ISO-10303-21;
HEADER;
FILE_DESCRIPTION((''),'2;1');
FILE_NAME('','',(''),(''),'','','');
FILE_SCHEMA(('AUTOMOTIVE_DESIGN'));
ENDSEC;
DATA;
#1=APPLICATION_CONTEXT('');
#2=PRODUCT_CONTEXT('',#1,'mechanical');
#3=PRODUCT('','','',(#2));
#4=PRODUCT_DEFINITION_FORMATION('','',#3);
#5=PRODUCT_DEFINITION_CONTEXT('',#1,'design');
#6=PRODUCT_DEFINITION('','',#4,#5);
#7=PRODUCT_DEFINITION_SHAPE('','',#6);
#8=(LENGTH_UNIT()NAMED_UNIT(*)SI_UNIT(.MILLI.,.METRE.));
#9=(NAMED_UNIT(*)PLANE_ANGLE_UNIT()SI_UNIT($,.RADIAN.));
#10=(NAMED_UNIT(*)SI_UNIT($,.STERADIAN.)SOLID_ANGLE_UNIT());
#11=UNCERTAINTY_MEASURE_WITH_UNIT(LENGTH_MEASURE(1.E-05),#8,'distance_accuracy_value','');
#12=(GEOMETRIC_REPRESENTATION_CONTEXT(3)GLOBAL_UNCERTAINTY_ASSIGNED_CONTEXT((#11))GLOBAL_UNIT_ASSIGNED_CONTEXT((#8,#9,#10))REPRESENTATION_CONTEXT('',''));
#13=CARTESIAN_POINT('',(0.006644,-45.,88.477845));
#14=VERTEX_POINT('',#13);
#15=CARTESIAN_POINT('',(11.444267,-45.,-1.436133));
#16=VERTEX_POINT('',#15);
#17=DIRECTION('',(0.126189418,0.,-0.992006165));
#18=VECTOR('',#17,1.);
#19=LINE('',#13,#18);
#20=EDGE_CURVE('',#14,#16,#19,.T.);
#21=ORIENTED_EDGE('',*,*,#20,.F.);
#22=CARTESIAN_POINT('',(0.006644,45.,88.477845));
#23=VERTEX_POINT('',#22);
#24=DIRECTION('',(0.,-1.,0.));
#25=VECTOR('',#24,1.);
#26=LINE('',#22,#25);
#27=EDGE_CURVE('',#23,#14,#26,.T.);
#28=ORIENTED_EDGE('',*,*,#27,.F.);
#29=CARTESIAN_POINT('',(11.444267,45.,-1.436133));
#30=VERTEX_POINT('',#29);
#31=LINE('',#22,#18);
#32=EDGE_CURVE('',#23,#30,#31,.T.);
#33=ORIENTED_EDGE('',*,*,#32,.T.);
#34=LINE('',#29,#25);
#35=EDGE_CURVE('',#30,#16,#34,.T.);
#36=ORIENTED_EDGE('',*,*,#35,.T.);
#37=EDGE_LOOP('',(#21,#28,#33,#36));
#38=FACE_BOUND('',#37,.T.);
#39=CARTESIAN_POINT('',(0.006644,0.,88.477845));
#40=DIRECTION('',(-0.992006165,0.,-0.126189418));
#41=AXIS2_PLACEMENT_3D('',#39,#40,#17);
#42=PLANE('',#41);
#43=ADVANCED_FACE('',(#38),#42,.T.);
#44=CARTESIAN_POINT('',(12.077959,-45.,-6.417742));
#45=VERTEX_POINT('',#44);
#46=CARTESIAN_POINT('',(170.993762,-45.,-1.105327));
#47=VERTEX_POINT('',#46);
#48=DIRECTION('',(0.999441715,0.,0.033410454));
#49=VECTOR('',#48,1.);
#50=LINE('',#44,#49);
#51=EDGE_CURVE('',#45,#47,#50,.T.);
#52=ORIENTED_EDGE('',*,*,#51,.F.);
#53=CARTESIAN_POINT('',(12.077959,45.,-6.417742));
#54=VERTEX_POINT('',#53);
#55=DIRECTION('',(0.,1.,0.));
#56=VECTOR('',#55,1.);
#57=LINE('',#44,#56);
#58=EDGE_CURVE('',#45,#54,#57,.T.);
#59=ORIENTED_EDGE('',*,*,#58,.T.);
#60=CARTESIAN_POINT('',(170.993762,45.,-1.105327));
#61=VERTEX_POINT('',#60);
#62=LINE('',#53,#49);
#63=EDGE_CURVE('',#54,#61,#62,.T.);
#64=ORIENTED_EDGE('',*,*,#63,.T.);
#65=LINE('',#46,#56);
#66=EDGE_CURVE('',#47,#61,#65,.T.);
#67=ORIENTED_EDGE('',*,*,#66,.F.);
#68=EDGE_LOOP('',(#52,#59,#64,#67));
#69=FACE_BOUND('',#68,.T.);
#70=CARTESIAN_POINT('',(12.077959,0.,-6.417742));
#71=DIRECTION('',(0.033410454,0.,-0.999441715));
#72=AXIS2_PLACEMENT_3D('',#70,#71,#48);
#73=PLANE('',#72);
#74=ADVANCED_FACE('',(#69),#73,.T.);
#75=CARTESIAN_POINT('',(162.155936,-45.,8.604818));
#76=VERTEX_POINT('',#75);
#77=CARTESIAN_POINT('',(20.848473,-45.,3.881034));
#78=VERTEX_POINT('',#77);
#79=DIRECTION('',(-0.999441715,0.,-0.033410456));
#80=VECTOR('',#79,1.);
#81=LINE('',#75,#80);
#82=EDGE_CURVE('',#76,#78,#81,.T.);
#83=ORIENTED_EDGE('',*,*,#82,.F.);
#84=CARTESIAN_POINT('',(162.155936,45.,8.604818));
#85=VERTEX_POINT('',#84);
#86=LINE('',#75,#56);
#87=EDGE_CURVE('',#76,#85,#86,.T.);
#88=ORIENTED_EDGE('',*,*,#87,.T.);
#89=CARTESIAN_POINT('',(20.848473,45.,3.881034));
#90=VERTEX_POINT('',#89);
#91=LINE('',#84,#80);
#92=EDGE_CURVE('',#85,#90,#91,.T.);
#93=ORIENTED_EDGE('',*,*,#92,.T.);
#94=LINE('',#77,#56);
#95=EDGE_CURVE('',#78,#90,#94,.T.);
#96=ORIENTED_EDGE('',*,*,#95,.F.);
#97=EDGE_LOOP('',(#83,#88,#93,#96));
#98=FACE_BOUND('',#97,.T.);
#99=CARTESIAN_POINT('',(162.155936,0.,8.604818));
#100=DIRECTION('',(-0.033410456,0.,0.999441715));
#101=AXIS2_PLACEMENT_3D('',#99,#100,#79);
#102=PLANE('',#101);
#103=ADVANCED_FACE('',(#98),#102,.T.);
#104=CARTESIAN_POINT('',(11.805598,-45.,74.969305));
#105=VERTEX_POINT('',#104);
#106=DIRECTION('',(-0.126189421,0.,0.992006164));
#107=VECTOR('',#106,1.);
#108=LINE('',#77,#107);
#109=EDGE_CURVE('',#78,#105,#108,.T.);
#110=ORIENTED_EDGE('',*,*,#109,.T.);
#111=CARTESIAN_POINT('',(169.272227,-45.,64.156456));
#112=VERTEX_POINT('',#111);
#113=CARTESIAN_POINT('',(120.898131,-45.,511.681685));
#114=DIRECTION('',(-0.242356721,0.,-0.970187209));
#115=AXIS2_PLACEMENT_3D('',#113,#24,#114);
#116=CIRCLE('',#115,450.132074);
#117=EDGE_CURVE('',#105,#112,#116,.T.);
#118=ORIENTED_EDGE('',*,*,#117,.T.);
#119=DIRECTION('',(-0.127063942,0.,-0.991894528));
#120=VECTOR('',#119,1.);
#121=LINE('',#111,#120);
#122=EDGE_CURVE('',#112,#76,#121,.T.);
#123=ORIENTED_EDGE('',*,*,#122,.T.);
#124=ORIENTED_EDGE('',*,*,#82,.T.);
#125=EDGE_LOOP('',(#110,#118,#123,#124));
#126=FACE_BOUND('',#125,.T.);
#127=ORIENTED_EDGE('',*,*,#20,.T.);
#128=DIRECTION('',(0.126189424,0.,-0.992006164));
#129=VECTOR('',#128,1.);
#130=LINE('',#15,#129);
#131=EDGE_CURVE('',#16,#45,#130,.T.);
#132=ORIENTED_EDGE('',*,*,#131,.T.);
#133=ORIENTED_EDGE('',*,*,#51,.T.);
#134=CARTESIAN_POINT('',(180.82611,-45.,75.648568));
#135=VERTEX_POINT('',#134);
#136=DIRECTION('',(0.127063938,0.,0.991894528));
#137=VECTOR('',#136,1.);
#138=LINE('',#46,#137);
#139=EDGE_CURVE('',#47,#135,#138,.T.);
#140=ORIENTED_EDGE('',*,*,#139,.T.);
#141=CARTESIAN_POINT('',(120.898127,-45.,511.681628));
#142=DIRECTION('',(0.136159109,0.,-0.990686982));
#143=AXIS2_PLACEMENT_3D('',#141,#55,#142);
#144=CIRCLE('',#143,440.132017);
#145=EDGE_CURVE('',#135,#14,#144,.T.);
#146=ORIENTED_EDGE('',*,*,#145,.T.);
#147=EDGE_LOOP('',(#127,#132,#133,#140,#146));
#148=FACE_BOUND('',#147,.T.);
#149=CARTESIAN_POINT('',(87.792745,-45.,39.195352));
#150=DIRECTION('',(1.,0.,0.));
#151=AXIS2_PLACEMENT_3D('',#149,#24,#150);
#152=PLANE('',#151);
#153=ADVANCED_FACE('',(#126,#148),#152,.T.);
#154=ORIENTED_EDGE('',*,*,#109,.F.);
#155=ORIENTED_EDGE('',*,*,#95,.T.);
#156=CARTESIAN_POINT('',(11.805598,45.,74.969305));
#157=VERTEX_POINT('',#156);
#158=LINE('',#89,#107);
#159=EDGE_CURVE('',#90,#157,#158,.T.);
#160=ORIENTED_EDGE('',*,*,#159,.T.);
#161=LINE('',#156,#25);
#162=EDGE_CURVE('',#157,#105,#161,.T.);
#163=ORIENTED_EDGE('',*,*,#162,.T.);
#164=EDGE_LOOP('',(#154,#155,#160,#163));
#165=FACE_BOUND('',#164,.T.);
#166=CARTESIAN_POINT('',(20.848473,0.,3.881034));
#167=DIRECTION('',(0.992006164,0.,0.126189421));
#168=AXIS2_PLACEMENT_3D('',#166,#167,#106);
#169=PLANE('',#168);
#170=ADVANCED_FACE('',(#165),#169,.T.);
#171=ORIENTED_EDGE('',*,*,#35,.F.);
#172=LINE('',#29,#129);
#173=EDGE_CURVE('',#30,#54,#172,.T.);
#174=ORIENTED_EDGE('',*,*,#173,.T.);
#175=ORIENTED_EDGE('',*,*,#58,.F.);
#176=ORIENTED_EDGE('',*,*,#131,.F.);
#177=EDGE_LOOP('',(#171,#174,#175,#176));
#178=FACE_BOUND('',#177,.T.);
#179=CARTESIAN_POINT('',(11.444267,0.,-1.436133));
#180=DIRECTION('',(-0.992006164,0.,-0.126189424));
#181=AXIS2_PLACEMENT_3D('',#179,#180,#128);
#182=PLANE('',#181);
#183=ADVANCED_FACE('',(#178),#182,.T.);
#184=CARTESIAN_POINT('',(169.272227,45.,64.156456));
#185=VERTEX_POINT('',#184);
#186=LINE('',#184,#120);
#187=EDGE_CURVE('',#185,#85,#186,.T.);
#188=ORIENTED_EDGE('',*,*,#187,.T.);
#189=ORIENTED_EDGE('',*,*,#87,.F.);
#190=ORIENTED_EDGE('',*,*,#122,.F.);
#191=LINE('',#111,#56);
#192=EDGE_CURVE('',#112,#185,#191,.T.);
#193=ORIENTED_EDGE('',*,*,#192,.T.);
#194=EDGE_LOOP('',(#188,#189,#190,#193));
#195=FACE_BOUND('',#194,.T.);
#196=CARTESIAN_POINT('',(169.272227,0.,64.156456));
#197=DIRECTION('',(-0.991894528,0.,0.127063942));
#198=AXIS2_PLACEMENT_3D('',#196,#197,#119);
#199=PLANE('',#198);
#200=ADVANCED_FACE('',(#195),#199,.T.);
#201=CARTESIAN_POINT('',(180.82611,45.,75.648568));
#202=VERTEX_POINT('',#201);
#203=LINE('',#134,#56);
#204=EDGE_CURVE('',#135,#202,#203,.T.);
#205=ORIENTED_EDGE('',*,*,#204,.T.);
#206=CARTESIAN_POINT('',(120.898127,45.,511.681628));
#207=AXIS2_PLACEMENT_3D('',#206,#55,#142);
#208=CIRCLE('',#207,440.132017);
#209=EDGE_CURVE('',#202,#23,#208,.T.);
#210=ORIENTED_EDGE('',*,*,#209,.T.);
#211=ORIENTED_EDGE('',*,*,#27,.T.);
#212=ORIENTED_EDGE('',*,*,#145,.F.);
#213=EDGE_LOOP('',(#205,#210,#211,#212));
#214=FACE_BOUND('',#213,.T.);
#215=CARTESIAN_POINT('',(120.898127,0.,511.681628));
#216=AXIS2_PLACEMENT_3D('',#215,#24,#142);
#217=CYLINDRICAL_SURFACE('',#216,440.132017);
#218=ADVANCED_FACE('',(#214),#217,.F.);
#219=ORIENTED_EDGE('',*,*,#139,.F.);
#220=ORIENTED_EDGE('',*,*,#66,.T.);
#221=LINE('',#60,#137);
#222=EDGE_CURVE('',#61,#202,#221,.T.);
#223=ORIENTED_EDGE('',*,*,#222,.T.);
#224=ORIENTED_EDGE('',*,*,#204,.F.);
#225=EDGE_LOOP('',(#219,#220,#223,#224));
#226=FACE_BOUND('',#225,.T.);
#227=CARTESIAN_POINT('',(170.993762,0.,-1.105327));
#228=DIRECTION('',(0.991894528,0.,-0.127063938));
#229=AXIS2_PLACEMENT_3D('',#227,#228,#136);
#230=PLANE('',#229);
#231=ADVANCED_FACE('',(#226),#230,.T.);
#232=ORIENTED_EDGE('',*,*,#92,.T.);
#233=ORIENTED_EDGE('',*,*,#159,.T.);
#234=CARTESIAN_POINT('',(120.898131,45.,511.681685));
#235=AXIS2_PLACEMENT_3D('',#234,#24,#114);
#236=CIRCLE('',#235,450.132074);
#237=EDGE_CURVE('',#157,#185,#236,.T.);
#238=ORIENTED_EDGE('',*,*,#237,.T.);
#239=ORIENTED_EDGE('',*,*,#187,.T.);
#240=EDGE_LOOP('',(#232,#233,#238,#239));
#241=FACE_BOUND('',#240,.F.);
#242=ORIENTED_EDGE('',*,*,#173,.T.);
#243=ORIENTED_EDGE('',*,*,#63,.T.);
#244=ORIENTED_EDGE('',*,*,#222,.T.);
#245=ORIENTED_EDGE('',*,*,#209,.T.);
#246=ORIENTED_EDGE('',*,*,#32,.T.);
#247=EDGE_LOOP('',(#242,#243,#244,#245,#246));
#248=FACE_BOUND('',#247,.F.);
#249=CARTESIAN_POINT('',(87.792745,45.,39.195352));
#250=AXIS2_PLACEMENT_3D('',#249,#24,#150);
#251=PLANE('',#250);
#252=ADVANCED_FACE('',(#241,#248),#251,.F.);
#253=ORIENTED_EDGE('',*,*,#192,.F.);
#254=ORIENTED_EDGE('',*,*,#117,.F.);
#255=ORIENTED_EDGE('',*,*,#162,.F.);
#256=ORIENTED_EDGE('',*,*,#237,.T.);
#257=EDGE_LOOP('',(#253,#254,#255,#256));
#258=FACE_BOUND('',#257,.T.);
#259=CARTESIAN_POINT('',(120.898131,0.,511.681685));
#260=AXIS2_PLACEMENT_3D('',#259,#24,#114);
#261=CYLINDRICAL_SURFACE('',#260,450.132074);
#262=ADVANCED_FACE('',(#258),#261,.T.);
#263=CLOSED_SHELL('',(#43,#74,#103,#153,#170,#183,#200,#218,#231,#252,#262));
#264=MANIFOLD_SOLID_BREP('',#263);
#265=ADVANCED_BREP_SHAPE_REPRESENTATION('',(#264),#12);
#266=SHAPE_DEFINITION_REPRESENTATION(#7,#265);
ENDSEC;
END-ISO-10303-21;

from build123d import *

# Parameters (mm, degrees)
F1_DEPTH = 45


with BuildPart() as f1:
    # F0 (on Front) → F1 (new body, symmetric)
    with BuildSketch(Plane.XZ):
        with BuildLine():
            ThreePointArc((180.82611, 75.648568), (89.748734, 72.65326), (0.006644, 88.477845))
            Line((0.006644, 88.477845), (11.444267, -1.436133))
            Line((11.444267, -1.436133), (12.077959, -6.417742))
            Line((12.077959, -6.417742), (170.993762, -1.105327))
            Line((170.993762, -1.105327), (180.82611, 75.648568))
        make_face()
        with BuildLine():
            ThreePointArc((11.805598, 74.969305), (90.061277, 62.607112), (169.272227, 64.156456))
            Line((169.272227, 64.156456), (162.155936, 8.604818))
            Line((162.155936, 8.604818), (20.848473, 3.881034))
            Line((20.848473, 3.881034), (11.805598, 74.969305))
        make_face(mode=Mode.SUBTRACT)
    extrude(amount=F1_DEPTH, both=True)


solid = f1.part
